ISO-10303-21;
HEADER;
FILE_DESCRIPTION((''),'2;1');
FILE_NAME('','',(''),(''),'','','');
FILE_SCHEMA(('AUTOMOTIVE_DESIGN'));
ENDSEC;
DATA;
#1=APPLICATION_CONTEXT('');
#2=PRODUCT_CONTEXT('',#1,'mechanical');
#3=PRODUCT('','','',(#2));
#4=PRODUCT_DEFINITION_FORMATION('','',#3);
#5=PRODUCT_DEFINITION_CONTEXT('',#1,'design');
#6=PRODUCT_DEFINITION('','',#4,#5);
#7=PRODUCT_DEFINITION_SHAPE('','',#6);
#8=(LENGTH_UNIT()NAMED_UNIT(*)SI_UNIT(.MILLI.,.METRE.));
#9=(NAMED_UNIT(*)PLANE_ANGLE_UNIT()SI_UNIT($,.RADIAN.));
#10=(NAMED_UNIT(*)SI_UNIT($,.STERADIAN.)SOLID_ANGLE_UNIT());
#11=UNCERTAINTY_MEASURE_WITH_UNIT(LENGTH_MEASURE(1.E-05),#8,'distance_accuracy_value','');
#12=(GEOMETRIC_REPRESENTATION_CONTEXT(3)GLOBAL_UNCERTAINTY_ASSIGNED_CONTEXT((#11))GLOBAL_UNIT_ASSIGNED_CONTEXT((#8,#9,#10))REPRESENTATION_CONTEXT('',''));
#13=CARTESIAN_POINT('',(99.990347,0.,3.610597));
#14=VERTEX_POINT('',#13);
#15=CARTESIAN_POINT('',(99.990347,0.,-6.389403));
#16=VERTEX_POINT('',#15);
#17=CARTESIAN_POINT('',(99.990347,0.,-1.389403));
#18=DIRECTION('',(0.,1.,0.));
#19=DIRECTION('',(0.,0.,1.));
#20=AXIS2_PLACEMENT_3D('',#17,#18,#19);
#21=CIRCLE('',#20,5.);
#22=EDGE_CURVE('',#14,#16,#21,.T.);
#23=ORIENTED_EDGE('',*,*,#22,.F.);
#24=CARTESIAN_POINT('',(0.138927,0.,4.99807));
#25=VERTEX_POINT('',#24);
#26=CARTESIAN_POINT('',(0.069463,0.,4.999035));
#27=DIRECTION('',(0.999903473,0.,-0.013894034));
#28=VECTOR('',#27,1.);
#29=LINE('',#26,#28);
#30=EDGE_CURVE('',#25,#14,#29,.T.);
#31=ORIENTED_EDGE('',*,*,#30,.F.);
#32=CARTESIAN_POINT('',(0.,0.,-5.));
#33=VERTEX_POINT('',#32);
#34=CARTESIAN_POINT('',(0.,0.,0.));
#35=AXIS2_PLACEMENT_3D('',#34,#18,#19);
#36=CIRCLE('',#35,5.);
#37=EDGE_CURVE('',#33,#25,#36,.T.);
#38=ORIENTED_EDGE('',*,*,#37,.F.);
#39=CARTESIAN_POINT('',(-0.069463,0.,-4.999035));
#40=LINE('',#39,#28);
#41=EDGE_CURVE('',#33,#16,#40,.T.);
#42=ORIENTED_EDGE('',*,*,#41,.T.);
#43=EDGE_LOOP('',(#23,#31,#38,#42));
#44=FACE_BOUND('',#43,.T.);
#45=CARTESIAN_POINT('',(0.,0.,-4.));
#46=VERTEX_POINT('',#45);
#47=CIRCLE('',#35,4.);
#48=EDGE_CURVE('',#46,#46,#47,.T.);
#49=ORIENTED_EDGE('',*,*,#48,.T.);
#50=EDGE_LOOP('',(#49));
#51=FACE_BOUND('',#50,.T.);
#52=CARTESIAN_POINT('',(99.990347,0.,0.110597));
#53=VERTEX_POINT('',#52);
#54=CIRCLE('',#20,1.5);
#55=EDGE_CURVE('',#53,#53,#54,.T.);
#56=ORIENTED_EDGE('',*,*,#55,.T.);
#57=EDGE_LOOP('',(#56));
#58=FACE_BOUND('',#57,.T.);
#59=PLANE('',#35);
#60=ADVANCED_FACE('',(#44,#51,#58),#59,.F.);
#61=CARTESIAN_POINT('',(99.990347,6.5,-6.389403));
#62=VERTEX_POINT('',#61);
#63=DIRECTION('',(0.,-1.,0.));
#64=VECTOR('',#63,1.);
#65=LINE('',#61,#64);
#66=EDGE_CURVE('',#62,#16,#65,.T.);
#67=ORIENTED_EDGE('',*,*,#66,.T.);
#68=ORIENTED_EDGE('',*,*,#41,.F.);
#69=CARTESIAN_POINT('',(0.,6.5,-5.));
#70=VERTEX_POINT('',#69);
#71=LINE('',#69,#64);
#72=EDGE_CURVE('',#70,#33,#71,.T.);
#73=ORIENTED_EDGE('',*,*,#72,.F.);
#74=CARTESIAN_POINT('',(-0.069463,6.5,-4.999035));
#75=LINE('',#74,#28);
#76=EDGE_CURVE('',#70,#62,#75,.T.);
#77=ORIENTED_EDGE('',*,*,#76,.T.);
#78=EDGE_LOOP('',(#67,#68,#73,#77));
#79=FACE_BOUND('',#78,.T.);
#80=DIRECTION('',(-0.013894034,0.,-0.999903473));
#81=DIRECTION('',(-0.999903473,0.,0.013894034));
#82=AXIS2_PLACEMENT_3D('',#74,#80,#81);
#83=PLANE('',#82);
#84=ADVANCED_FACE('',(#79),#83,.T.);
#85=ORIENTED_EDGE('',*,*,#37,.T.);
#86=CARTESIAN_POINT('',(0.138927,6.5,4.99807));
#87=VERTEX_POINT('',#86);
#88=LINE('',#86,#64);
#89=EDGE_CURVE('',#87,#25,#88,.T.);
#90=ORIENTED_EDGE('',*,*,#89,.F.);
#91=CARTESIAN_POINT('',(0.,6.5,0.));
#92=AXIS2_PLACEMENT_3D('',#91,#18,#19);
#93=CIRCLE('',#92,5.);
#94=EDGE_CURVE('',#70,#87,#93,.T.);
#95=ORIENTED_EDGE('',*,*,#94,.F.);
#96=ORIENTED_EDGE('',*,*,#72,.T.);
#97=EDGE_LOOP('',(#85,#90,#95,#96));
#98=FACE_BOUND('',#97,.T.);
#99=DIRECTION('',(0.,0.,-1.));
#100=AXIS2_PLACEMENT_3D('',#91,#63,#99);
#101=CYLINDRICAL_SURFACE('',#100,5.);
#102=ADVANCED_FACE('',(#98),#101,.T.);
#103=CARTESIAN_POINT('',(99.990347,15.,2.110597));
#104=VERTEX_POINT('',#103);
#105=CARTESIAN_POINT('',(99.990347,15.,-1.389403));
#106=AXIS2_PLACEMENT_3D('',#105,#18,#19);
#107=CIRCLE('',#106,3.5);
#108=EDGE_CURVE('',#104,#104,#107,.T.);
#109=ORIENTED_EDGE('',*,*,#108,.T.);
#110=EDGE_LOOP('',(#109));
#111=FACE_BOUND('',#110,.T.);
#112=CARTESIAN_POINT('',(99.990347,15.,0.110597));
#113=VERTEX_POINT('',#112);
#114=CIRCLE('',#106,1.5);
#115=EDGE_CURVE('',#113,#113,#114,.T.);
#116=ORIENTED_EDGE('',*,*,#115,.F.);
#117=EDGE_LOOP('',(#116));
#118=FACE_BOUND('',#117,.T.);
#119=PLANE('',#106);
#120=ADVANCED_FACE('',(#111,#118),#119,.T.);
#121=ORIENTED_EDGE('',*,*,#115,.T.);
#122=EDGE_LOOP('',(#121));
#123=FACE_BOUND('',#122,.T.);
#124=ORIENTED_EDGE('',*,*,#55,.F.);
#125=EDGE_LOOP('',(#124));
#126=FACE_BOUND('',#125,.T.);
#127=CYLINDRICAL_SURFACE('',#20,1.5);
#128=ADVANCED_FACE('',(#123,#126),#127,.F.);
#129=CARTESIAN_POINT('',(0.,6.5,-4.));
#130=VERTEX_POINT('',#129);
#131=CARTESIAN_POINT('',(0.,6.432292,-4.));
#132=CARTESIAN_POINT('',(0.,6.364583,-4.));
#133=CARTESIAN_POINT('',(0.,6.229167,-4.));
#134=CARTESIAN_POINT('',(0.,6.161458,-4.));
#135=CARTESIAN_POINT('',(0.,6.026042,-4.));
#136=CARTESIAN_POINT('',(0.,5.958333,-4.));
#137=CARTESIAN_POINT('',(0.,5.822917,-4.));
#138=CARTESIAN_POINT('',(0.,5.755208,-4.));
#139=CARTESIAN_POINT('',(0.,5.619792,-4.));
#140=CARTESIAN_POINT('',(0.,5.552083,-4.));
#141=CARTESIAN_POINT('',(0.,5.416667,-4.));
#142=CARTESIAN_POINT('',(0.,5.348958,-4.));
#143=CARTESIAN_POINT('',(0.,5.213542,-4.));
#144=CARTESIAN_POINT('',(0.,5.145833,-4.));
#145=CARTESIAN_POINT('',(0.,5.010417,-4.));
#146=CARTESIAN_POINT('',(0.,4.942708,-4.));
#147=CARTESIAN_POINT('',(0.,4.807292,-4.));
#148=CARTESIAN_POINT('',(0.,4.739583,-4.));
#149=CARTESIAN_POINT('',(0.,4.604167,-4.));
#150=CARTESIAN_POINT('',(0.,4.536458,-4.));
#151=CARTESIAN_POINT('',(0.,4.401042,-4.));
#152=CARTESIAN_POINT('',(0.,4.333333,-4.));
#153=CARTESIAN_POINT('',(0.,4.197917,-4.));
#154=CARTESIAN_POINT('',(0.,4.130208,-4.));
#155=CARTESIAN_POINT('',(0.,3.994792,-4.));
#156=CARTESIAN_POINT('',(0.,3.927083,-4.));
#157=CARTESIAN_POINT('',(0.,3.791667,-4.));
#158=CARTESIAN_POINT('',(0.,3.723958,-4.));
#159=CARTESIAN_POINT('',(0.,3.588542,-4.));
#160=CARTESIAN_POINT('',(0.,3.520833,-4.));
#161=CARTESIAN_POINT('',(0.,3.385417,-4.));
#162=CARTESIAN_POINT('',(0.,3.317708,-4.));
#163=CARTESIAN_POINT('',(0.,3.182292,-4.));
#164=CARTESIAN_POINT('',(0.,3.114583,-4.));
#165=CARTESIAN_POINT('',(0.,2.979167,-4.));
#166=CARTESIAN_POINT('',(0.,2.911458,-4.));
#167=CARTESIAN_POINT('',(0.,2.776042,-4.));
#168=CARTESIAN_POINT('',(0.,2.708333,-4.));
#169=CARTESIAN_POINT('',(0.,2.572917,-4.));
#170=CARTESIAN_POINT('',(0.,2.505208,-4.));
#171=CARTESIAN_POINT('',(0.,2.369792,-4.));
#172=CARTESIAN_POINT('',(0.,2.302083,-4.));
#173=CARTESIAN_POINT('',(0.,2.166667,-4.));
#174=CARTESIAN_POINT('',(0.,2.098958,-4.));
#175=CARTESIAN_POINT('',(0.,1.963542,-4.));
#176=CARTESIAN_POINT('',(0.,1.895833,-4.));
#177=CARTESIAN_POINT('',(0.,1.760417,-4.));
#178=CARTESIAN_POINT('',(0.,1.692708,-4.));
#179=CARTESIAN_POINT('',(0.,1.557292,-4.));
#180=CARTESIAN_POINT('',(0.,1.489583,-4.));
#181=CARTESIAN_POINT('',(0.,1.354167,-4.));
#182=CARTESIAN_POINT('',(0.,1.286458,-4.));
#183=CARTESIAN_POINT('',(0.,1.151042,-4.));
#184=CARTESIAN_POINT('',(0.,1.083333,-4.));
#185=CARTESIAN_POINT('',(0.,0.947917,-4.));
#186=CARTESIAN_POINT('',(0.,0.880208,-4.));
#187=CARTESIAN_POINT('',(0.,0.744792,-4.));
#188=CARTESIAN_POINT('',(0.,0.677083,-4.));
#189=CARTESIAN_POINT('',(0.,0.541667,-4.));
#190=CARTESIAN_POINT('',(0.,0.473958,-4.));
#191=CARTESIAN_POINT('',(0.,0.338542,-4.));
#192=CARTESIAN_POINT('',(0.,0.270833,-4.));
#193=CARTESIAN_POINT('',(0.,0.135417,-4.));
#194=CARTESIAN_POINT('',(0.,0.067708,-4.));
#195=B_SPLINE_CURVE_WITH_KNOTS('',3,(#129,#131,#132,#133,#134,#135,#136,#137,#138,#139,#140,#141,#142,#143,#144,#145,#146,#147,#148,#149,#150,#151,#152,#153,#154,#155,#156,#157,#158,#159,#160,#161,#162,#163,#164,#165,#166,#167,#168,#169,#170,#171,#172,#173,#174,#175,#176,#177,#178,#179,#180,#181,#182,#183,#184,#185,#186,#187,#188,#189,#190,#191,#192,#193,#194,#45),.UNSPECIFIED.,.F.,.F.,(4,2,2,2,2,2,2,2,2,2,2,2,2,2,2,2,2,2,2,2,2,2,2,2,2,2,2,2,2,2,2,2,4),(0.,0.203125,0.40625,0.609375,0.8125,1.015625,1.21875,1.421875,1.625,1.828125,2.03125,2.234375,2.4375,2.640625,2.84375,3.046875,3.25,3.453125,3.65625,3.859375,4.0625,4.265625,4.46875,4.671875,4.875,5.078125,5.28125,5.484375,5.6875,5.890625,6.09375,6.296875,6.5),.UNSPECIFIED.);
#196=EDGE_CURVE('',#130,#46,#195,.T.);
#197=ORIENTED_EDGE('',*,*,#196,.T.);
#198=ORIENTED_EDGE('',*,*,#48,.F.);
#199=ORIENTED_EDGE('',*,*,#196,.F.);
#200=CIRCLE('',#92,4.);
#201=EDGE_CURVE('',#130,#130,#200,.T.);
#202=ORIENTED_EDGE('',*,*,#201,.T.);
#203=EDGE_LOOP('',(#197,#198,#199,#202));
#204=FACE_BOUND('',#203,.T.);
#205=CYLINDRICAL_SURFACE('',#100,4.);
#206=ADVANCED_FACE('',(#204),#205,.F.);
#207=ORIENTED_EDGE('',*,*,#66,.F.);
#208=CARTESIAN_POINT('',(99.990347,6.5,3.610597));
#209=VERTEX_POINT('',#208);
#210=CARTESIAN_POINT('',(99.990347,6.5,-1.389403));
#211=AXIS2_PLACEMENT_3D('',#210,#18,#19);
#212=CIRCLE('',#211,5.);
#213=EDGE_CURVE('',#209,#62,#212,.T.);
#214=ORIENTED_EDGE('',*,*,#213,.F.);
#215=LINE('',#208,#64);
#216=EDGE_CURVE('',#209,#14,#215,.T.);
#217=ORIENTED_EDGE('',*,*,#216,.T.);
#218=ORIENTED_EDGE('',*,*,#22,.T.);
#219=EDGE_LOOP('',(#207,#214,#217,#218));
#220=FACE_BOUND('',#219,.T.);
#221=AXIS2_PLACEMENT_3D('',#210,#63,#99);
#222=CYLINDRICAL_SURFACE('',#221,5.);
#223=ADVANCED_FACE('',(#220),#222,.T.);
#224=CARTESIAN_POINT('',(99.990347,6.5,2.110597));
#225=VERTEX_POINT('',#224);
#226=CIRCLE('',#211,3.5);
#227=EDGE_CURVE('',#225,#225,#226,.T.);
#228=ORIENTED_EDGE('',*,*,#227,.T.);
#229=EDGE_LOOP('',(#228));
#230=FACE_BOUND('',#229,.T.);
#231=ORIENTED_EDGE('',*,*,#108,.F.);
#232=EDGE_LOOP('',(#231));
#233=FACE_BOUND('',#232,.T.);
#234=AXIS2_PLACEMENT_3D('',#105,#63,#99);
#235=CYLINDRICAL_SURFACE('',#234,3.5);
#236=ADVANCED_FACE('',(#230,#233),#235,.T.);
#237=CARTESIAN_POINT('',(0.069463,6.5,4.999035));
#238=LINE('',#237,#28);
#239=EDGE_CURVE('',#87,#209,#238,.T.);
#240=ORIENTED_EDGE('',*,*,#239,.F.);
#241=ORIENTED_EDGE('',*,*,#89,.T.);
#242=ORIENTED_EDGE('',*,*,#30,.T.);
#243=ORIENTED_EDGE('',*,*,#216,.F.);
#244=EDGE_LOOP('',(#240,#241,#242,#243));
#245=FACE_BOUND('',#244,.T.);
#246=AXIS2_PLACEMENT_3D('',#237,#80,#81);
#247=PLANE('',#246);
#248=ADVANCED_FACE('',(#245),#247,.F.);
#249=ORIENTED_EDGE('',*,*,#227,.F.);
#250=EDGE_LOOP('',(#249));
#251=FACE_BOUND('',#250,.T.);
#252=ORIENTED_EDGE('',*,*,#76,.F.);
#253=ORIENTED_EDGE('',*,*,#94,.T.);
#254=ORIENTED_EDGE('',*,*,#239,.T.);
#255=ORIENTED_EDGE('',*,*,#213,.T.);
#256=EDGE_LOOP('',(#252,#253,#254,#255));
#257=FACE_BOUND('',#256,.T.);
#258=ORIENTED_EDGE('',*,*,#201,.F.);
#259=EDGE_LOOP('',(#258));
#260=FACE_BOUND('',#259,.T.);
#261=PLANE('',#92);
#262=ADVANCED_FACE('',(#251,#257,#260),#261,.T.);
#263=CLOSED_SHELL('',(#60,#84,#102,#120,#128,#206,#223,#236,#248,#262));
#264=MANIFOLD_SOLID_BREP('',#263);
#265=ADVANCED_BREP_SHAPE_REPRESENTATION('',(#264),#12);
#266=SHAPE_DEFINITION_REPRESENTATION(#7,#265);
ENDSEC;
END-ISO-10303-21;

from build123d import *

# Parameters (mm, degrees)
SKETCH_1_R          = 4
EXTRUDE_1_DEPTH     = 6.5
SKETCH_2_R          = 3.5
EXTRUDE_2_DEPTH     = 8.5
SKETCH_3_R          = 1.5
CUT_EXTRUDE_1_DEPTH = 107.248752968


with BuildPart() as part:
    # 草图1 → 凸台-拉伸1 (new body)
    with BuildSketch(Plane(origin=(0, 0, 0), x_dir=(1, 0, 0), z_dir=(0, 1, 0))):
        with BuildLine():
            ThreePointArc((0, 5), (-4.999517366, -0.06947017), (0.138926929, -4.998069558))
            Line((0.138926929, -4.998069558), (99.990347325, -3.61059659))
            ThreePointArc((99.990347325, -3.61059659), (104.990347325, 1.38940341), (99.990347325, 6.38940341))
            Line((99.990347325, 6.38940341), (0, 5))
        make_face()
        with Locations(Location((0, 0, 0), (0, 0, 90))):
            Circle(SKETCH_1_R, mode=Mode.SUBTRACT)
    extrude(amount=EXTRUDE_1_DEPTH)

    # 草图2 → 凸台-拉伸2 (add)
    with BuildSketch(Plane(origin=(0, 6.5, 0), x_dir=(1, 0, 0), z_dir=(0, 1, 0))):
        with Locations(Location((99.990347325, 1.38940341, 0), (0, 0, 270))):
            Circle(SKETCH_2_R)
    extrude(amount=EXTRUDE_2_DEPTH)

    # 草图3 → 切除-拉伸1 (cut, through all)
    with BuildSketch(Plane(origin=(0, 15, 0), x_dir=(1, 0, 0), z_dir=(0, 1, 0))):
        with Locations(Location((99.990347325, 1.38940341, 0), (0, 0, 270))):
            Circle(SKETCH_3_R)
    extrude(amount=-CUT_EXTRUDE_1_DEPTH, mode=Mode.SUBTRACT)


solid = part.part
